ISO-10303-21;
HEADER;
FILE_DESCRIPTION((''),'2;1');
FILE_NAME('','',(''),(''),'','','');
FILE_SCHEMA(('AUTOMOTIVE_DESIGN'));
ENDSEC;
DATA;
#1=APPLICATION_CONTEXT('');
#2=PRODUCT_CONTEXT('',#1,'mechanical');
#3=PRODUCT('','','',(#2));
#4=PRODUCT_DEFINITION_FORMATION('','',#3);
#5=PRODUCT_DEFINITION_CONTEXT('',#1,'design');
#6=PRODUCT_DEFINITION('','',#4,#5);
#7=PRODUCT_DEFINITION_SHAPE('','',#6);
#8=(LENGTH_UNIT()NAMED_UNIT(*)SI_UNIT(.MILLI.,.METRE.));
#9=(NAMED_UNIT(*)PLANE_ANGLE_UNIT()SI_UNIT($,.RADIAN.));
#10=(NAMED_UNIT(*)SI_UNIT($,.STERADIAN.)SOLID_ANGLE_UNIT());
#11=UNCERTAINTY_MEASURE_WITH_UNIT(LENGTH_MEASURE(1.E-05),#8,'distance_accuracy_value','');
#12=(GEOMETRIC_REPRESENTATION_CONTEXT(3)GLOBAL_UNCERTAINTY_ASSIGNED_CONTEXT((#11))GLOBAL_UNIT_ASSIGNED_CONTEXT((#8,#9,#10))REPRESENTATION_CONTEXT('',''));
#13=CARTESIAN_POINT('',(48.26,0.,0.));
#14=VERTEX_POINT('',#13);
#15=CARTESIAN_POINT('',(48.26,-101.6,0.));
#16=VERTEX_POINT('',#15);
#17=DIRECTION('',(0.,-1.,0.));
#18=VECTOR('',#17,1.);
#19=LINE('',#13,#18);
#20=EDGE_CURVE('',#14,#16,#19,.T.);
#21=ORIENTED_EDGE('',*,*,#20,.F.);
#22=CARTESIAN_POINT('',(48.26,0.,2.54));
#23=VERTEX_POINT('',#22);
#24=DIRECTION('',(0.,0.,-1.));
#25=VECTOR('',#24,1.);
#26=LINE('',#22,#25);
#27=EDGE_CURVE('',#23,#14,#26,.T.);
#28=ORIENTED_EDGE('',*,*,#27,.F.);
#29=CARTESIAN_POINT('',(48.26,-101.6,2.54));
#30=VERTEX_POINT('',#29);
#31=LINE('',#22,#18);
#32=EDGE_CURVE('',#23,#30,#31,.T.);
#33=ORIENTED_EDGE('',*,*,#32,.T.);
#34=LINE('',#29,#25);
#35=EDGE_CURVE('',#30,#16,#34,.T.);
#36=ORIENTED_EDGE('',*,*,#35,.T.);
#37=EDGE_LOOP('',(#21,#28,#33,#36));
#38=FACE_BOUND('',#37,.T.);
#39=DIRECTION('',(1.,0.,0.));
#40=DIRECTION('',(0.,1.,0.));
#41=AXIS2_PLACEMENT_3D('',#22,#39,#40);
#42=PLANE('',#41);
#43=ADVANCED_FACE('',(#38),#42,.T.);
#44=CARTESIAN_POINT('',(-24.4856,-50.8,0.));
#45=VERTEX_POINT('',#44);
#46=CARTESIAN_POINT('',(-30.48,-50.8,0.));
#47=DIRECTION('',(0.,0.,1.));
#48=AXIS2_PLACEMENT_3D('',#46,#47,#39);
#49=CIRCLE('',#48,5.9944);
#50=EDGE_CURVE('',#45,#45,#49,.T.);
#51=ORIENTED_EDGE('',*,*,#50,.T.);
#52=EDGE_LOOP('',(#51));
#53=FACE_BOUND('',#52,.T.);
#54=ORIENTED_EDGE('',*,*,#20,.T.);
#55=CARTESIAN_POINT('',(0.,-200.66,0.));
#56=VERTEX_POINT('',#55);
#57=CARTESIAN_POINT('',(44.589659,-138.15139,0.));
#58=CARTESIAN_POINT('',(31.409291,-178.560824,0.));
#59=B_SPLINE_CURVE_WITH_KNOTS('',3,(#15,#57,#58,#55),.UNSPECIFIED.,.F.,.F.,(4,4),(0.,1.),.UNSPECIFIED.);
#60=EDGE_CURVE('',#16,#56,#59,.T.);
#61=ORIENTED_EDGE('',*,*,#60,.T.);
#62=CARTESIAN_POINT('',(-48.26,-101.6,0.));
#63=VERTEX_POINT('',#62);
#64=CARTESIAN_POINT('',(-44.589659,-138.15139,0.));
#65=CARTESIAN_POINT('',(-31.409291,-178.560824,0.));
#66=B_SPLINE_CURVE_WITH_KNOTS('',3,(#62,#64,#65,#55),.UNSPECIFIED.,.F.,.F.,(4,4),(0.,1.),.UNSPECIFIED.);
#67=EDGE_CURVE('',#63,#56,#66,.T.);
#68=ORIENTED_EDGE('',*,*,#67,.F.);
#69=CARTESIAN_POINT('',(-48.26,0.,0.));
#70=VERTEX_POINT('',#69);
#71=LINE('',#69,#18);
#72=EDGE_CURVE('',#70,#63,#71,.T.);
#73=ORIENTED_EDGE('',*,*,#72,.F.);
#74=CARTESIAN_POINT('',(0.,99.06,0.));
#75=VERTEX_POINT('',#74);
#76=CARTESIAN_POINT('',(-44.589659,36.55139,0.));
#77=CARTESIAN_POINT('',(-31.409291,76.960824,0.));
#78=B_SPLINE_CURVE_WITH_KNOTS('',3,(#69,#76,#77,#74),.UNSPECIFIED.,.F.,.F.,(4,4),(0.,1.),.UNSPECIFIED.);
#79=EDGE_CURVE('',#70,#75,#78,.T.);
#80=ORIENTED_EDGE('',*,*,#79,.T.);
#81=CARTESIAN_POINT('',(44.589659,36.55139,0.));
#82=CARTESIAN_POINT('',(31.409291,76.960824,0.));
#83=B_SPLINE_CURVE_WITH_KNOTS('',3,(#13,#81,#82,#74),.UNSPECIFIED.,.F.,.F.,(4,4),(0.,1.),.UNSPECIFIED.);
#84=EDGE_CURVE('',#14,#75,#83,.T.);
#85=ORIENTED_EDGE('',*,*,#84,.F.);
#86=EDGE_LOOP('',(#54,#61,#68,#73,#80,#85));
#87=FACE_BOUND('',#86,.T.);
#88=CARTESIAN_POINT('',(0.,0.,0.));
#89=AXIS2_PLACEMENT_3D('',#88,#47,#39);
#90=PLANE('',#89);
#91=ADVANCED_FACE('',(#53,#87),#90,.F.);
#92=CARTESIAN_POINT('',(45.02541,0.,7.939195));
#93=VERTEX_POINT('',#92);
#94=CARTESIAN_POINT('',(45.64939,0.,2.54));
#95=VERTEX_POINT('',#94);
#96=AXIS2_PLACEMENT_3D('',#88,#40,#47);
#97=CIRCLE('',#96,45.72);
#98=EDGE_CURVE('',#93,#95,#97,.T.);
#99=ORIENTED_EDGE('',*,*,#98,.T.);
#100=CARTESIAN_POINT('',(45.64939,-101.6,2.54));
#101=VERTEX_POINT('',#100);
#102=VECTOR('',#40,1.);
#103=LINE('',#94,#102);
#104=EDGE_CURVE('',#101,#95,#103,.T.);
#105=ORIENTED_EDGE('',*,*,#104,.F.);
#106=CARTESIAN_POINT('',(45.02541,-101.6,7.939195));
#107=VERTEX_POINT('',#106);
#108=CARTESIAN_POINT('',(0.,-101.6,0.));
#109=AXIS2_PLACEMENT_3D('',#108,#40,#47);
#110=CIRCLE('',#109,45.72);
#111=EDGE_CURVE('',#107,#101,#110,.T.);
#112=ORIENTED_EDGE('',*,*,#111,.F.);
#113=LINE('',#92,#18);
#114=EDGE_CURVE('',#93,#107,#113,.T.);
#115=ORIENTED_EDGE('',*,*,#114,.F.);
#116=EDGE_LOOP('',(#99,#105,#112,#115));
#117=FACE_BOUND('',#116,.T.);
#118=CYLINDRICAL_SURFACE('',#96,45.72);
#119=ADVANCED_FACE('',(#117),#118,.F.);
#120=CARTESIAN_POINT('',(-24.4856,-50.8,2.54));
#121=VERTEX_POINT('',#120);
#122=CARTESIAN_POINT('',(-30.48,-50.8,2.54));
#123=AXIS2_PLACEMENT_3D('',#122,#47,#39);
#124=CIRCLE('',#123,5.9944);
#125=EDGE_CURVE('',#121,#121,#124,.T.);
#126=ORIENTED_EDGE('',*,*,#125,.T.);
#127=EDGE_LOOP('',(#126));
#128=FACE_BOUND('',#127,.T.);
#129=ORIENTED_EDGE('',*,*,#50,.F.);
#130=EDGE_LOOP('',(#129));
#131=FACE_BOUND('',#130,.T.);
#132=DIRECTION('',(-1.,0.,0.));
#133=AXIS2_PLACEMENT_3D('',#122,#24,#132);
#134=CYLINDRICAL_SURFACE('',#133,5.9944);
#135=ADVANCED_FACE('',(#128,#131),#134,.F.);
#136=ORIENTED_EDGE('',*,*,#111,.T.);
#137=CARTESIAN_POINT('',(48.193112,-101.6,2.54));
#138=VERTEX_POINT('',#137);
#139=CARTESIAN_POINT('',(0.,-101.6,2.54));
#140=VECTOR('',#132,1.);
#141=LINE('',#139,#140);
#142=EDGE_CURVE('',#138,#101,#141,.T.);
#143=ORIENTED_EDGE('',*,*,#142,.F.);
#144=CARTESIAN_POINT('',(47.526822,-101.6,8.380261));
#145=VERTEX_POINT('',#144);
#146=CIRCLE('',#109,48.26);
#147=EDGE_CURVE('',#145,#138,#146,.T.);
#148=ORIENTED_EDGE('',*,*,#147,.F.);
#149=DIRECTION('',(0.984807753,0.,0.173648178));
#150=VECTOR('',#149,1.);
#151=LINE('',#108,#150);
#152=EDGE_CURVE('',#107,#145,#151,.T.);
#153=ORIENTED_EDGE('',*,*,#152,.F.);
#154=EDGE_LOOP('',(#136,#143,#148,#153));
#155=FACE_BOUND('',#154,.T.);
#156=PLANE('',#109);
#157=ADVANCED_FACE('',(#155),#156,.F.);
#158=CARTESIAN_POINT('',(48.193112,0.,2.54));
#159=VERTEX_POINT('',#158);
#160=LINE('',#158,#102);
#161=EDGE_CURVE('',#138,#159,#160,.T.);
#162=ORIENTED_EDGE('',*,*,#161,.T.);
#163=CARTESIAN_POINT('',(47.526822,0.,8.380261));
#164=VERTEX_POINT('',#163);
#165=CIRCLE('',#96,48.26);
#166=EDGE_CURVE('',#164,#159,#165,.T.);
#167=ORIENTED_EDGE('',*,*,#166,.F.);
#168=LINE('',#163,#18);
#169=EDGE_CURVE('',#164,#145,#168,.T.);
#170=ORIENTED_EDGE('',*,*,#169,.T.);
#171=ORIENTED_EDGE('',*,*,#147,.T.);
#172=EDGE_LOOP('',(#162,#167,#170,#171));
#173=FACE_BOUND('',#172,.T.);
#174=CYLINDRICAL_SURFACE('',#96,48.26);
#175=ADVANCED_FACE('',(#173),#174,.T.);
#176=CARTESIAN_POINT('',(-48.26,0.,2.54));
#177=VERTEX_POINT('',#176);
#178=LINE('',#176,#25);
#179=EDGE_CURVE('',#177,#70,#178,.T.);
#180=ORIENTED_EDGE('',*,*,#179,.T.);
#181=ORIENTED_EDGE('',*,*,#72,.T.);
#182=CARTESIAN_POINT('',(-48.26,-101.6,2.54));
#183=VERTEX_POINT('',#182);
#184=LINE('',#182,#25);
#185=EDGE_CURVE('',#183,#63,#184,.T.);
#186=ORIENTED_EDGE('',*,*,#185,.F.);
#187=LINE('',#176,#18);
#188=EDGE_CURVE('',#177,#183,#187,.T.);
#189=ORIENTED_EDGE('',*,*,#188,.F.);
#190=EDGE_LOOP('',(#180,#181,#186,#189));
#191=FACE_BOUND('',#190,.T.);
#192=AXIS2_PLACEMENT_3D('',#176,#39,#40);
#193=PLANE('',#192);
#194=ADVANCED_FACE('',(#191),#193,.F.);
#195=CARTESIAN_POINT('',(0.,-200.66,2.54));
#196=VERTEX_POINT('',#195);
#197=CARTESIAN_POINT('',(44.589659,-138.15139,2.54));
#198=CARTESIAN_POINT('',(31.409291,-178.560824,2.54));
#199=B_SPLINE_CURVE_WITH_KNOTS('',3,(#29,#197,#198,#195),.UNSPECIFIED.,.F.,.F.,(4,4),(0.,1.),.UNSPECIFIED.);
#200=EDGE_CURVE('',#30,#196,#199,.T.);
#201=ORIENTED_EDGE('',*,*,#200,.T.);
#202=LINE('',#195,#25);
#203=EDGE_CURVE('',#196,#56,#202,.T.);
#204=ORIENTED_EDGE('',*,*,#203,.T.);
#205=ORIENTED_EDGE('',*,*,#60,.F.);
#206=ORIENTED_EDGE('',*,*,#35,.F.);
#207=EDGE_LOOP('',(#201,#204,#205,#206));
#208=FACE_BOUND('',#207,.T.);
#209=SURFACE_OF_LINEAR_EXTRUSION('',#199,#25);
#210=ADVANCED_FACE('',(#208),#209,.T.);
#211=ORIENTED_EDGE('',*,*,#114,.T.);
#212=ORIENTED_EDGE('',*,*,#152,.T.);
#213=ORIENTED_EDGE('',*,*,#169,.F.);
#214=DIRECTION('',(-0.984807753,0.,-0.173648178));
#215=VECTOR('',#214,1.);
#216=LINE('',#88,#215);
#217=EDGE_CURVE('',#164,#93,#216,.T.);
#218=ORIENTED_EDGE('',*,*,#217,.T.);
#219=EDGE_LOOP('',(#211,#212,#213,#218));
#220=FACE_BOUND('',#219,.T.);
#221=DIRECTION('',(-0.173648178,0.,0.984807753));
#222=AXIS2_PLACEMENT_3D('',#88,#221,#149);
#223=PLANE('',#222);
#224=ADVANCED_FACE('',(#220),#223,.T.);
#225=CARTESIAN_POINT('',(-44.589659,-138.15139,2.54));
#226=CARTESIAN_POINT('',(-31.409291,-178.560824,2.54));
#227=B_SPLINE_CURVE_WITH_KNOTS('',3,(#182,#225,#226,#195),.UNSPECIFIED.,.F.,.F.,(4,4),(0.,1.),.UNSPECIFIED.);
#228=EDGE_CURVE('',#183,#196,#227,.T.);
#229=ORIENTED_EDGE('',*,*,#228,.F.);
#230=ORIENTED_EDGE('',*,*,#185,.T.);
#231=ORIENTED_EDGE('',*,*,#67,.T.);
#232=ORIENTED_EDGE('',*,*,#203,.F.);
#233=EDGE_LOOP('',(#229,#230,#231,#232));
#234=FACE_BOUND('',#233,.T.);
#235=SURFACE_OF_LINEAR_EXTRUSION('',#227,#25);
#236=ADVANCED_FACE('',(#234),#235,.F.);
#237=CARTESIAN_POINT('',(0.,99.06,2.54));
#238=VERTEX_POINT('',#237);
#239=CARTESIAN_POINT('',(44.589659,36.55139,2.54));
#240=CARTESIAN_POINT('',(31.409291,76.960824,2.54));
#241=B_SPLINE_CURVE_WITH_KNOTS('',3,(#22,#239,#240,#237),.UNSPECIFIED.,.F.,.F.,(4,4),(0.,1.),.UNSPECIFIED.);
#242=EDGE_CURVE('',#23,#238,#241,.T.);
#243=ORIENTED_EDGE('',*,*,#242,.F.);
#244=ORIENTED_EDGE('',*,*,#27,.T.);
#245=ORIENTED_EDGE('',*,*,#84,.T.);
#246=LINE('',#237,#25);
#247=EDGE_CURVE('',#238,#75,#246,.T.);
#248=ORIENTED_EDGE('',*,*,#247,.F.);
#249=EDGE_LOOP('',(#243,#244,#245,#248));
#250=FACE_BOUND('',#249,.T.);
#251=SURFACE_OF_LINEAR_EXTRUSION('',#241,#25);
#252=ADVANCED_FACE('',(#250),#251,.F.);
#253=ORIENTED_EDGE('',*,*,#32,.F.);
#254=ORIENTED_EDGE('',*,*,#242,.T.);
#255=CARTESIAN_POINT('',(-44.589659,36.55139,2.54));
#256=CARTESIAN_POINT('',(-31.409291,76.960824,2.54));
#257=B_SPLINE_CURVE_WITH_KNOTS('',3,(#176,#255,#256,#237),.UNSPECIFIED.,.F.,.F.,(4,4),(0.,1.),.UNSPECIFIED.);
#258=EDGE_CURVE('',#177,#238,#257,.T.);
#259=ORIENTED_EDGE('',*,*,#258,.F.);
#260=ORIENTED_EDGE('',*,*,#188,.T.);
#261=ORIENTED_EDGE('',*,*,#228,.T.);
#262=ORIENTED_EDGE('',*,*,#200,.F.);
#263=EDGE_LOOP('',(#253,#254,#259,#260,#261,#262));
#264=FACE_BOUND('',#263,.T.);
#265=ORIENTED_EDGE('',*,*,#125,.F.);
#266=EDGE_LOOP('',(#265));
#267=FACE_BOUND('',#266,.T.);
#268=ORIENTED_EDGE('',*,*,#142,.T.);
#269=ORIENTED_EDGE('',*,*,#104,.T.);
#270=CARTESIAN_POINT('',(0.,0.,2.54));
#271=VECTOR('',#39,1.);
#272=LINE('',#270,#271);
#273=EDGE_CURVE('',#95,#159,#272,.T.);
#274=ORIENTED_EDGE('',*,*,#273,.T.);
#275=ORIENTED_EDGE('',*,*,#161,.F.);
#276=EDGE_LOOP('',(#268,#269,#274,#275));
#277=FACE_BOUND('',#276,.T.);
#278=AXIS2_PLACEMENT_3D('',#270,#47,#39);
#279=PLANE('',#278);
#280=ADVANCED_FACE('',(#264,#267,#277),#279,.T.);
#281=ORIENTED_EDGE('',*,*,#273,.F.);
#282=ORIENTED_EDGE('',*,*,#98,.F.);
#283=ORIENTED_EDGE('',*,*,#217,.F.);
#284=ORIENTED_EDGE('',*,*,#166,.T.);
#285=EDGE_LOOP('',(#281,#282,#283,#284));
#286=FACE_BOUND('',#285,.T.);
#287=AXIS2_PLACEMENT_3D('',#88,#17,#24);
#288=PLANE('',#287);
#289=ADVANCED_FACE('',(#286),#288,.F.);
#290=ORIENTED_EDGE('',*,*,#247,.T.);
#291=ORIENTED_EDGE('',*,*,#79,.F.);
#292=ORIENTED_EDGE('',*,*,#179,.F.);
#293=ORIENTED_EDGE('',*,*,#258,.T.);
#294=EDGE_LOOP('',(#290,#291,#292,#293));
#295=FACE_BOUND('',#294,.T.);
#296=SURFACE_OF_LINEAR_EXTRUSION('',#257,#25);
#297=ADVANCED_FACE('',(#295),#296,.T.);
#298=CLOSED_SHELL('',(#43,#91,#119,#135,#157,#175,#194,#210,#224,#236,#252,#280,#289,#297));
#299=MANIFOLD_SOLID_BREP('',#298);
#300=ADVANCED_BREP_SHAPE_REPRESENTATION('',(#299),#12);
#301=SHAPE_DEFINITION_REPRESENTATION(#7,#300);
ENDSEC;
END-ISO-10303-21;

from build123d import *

# Parameters (mm, degrees)
SKETCH1_R           = 5.9944
BOSS_EXTRUDE1_DEPTH = 2.54
SKETCH1_5_W         = 2.54
SKETCH1_5_H         = 101.6
REVOLVE3_ANGLE      = 10


with BuildPart() as part:
    # Sketch1 → Boss-Extrude1 (new body)
    with BuildSketch(Plane.XY):
        with BuildLine():
            Line((-48.26, 0), (-48.26, -101.6))
            add(Edge.make_bspline(
                [(-48.26, -101.6), (-44.589659251, -138.15139004), (-31.409290844, -178.560823803), (0, -200.66)],
                knots=[0, 0, 0, 0, 1, 1, 1, 1], degree=3))
            add(Edge.make_bspline(
                [(48.26, -101.6), (44.589659251, -138.15139004), (31.409290844, -178.560823803), (0, -200.66)],
                knots=[0, 0, 0, 0, 1, 1, 1, 1], degree=3))
            Line((48.26, -101.6), (48.26, 0))
            add(Edge.make_bspline(
                [(48.26, 0), (44.589659251, 36.55139004), (31.409290844, 76.960823803), (0, 99.06)],
                knots=[0, 0, 0, 0, 1, 1, 1, 1], degree=3))
            add(Edge.make_bspline(
                [(-48.26, 0), (-44.589659251, 36.55139004), (-31.409290844, 76.960823803), (0, 99.06)],
                knots=[0, 0, 0, 0, 1, 1, 1, 1], degree=3))
        make_face()
        with Locations((-30.48, -50.8)):
            Circle(SKETCH1_R, mode=Mode.SUBTRACT)
    extrude(amount=BOSS_EXTRUDE1_DEPTH)

    # Sketch1<5> → Revolve3 (revolve)
    with BuildSketch(Plane.XY):
        with Locations((46.99, -50.8)):
            Rectangle(SKETCH1_5_W, SKETCH1_5_H)
    revolve(axis=Axis((0, 0, 0), (0, -1, 0)), revolution_arc=REVOLVE3_ANGLE)


solid = part.part
